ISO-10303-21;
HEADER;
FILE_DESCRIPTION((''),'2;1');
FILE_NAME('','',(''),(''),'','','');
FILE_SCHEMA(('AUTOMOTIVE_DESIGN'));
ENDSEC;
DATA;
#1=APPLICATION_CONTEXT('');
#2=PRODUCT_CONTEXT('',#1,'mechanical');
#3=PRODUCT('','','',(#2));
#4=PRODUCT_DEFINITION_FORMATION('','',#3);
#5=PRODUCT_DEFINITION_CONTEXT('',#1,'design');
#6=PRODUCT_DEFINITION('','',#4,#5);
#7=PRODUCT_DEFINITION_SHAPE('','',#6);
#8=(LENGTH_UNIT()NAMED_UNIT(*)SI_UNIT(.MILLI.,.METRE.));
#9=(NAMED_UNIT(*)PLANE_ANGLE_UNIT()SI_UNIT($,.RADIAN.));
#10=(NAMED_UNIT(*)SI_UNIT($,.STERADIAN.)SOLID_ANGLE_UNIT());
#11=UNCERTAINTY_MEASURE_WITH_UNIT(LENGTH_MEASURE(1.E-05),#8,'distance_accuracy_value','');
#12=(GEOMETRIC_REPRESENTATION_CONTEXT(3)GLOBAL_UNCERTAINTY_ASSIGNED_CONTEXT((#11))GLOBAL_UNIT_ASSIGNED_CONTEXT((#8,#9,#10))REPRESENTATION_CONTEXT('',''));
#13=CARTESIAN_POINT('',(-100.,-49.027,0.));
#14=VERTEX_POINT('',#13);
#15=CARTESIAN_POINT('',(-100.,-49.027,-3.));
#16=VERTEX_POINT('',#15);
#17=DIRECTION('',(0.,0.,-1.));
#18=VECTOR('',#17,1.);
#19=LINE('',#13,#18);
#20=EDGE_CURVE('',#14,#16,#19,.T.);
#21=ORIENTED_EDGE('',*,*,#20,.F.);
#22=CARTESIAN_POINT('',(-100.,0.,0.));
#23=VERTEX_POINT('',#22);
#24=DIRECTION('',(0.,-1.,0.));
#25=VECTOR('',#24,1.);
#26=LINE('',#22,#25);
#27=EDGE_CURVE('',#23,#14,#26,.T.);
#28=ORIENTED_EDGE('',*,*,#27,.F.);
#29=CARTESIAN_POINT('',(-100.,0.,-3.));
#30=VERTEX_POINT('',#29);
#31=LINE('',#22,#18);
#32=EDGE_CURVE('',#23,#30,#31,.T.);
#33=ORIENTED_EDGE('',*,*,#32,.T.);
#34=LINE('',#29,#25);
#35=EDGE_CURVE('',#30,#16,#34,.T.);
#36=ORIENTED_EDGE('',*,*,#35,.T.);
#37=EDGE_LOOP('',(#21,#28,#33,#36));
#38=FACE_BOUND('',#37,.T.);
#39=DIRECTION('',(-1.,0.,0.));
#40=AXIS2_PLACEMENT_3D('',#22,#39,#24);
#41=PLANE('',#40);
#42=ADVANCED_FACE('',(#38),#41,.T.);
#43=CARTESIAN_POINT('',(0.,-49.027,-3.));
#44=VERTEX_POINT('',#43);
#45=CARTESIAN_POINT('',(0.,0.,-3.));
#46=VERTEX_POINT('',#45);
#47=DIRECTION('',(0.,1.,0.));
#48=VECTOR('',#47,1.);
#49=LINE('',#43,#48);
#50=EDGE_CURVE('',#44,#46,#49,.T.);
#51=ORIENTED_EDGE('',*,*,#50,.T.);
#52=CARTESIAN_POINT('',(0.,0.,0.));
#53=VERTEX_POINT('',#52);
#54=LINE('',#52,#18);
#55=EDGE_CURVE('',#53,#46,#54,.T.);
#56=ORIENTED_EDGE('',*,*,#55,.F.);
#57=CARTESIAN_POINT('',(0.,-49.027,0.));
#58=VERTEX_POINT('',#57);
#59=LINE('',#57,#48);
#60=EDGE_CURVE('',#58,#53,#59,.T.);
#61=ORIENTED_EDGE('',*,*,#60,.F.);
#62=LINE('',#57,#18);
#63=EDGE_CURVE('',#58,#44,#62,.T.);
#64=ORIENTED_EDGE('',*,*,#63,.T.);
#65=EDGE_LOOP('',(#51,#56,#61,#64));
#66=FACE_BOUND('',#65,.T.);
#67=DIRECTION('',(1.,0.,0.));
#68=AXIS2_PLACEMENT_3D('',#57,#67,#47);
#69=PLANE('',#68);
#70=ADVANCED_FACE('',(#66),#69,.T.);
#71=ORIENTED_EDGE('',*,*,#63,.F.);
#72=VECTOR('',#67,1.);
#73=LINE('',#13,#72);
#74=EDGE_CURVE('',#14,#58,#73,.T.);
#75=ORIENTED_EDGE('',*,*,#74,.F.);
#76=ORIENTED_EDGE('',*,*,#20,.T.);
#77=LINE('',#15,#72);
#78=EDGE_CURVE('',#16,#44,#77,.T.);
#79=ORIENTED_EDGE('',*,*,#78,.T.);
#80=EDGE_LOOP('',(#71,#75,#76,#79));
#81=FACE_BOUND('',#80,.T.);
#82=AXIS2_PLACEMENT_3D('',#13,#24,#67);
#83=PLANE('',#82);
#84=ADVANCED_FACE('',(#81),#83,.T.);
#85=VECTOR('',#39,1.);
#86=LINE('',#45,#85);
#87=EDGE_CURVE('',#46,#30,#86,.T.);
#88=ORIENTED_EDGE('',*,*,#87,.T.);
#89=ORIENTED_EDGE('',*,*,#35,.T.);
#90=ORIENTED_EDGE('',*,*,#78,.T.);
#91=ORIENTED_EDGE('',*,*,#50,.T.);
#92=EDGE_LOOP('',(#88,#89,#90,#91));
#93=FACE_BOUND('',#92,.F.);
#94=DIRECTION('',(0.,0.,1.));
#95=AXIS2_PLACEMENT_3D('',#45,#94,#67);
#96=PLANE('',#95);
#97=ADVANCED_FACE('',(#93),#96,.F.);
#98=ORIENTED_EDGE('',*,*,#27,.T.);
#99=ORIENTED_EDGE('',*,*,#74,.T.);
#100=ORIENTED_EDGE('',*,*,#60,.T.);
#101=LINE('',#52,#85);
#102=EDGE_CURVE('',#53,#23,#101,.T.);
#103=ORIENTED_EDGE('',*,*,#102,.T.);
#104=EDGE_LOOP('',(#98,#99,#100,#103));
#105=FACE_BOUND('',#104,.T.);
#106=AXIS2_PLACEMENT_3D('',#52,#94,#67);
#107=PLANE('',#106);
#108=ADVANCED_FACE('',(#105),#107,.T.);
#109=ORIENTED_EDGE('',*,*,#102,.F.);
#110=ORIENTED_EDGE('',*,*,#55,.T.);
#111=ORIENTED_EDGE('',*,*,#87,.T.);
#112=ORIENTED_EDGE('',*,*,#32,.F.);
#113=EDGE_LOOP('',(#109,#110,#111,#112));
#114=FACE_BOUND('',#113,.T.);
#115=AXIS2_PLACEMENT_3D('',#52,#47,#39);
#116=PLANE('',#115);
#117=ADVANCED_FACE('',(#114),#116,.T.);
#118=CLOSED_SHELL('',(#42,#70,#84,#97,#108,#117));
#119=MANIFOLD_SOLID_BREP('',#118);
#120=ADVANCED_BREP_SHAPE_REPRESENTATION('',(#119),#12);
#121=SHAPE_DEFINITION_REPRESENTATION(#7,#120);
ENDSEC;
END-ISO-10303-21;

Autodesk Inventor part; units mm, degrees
ref_plane "YZ Plane" through (0, 0, 0) normal (1, 0, 0) x (0, 1, 0)
ref_plane "XZ Plane" through (0, 0, 0) normal (0, 1, 0) x (-1, 0, 0)
ref_plane "XY Plane" through (0, 0, 0) normal (0, 0, 1) x (1, 0, 0)
sketch "Sketch1" plane through (0, 0, 0) normal (0, 0, 1) x (1, 0, 0)
  line L0 (0, 0) -> (-100, 0)
  line L1 (-100, 0) -> (-100, -49.027)
  line L2 (-100, -49.027) -> (0, -49.027)
  line L3 (0, -49.027) -> (0, 0)
  dimension "d0" = 100
  dimension "d1" = 49.027
extrude "Extrusion1" add sketch "Sketch1" against normal blind 3
properties part number "Group Name Plate back plate"
